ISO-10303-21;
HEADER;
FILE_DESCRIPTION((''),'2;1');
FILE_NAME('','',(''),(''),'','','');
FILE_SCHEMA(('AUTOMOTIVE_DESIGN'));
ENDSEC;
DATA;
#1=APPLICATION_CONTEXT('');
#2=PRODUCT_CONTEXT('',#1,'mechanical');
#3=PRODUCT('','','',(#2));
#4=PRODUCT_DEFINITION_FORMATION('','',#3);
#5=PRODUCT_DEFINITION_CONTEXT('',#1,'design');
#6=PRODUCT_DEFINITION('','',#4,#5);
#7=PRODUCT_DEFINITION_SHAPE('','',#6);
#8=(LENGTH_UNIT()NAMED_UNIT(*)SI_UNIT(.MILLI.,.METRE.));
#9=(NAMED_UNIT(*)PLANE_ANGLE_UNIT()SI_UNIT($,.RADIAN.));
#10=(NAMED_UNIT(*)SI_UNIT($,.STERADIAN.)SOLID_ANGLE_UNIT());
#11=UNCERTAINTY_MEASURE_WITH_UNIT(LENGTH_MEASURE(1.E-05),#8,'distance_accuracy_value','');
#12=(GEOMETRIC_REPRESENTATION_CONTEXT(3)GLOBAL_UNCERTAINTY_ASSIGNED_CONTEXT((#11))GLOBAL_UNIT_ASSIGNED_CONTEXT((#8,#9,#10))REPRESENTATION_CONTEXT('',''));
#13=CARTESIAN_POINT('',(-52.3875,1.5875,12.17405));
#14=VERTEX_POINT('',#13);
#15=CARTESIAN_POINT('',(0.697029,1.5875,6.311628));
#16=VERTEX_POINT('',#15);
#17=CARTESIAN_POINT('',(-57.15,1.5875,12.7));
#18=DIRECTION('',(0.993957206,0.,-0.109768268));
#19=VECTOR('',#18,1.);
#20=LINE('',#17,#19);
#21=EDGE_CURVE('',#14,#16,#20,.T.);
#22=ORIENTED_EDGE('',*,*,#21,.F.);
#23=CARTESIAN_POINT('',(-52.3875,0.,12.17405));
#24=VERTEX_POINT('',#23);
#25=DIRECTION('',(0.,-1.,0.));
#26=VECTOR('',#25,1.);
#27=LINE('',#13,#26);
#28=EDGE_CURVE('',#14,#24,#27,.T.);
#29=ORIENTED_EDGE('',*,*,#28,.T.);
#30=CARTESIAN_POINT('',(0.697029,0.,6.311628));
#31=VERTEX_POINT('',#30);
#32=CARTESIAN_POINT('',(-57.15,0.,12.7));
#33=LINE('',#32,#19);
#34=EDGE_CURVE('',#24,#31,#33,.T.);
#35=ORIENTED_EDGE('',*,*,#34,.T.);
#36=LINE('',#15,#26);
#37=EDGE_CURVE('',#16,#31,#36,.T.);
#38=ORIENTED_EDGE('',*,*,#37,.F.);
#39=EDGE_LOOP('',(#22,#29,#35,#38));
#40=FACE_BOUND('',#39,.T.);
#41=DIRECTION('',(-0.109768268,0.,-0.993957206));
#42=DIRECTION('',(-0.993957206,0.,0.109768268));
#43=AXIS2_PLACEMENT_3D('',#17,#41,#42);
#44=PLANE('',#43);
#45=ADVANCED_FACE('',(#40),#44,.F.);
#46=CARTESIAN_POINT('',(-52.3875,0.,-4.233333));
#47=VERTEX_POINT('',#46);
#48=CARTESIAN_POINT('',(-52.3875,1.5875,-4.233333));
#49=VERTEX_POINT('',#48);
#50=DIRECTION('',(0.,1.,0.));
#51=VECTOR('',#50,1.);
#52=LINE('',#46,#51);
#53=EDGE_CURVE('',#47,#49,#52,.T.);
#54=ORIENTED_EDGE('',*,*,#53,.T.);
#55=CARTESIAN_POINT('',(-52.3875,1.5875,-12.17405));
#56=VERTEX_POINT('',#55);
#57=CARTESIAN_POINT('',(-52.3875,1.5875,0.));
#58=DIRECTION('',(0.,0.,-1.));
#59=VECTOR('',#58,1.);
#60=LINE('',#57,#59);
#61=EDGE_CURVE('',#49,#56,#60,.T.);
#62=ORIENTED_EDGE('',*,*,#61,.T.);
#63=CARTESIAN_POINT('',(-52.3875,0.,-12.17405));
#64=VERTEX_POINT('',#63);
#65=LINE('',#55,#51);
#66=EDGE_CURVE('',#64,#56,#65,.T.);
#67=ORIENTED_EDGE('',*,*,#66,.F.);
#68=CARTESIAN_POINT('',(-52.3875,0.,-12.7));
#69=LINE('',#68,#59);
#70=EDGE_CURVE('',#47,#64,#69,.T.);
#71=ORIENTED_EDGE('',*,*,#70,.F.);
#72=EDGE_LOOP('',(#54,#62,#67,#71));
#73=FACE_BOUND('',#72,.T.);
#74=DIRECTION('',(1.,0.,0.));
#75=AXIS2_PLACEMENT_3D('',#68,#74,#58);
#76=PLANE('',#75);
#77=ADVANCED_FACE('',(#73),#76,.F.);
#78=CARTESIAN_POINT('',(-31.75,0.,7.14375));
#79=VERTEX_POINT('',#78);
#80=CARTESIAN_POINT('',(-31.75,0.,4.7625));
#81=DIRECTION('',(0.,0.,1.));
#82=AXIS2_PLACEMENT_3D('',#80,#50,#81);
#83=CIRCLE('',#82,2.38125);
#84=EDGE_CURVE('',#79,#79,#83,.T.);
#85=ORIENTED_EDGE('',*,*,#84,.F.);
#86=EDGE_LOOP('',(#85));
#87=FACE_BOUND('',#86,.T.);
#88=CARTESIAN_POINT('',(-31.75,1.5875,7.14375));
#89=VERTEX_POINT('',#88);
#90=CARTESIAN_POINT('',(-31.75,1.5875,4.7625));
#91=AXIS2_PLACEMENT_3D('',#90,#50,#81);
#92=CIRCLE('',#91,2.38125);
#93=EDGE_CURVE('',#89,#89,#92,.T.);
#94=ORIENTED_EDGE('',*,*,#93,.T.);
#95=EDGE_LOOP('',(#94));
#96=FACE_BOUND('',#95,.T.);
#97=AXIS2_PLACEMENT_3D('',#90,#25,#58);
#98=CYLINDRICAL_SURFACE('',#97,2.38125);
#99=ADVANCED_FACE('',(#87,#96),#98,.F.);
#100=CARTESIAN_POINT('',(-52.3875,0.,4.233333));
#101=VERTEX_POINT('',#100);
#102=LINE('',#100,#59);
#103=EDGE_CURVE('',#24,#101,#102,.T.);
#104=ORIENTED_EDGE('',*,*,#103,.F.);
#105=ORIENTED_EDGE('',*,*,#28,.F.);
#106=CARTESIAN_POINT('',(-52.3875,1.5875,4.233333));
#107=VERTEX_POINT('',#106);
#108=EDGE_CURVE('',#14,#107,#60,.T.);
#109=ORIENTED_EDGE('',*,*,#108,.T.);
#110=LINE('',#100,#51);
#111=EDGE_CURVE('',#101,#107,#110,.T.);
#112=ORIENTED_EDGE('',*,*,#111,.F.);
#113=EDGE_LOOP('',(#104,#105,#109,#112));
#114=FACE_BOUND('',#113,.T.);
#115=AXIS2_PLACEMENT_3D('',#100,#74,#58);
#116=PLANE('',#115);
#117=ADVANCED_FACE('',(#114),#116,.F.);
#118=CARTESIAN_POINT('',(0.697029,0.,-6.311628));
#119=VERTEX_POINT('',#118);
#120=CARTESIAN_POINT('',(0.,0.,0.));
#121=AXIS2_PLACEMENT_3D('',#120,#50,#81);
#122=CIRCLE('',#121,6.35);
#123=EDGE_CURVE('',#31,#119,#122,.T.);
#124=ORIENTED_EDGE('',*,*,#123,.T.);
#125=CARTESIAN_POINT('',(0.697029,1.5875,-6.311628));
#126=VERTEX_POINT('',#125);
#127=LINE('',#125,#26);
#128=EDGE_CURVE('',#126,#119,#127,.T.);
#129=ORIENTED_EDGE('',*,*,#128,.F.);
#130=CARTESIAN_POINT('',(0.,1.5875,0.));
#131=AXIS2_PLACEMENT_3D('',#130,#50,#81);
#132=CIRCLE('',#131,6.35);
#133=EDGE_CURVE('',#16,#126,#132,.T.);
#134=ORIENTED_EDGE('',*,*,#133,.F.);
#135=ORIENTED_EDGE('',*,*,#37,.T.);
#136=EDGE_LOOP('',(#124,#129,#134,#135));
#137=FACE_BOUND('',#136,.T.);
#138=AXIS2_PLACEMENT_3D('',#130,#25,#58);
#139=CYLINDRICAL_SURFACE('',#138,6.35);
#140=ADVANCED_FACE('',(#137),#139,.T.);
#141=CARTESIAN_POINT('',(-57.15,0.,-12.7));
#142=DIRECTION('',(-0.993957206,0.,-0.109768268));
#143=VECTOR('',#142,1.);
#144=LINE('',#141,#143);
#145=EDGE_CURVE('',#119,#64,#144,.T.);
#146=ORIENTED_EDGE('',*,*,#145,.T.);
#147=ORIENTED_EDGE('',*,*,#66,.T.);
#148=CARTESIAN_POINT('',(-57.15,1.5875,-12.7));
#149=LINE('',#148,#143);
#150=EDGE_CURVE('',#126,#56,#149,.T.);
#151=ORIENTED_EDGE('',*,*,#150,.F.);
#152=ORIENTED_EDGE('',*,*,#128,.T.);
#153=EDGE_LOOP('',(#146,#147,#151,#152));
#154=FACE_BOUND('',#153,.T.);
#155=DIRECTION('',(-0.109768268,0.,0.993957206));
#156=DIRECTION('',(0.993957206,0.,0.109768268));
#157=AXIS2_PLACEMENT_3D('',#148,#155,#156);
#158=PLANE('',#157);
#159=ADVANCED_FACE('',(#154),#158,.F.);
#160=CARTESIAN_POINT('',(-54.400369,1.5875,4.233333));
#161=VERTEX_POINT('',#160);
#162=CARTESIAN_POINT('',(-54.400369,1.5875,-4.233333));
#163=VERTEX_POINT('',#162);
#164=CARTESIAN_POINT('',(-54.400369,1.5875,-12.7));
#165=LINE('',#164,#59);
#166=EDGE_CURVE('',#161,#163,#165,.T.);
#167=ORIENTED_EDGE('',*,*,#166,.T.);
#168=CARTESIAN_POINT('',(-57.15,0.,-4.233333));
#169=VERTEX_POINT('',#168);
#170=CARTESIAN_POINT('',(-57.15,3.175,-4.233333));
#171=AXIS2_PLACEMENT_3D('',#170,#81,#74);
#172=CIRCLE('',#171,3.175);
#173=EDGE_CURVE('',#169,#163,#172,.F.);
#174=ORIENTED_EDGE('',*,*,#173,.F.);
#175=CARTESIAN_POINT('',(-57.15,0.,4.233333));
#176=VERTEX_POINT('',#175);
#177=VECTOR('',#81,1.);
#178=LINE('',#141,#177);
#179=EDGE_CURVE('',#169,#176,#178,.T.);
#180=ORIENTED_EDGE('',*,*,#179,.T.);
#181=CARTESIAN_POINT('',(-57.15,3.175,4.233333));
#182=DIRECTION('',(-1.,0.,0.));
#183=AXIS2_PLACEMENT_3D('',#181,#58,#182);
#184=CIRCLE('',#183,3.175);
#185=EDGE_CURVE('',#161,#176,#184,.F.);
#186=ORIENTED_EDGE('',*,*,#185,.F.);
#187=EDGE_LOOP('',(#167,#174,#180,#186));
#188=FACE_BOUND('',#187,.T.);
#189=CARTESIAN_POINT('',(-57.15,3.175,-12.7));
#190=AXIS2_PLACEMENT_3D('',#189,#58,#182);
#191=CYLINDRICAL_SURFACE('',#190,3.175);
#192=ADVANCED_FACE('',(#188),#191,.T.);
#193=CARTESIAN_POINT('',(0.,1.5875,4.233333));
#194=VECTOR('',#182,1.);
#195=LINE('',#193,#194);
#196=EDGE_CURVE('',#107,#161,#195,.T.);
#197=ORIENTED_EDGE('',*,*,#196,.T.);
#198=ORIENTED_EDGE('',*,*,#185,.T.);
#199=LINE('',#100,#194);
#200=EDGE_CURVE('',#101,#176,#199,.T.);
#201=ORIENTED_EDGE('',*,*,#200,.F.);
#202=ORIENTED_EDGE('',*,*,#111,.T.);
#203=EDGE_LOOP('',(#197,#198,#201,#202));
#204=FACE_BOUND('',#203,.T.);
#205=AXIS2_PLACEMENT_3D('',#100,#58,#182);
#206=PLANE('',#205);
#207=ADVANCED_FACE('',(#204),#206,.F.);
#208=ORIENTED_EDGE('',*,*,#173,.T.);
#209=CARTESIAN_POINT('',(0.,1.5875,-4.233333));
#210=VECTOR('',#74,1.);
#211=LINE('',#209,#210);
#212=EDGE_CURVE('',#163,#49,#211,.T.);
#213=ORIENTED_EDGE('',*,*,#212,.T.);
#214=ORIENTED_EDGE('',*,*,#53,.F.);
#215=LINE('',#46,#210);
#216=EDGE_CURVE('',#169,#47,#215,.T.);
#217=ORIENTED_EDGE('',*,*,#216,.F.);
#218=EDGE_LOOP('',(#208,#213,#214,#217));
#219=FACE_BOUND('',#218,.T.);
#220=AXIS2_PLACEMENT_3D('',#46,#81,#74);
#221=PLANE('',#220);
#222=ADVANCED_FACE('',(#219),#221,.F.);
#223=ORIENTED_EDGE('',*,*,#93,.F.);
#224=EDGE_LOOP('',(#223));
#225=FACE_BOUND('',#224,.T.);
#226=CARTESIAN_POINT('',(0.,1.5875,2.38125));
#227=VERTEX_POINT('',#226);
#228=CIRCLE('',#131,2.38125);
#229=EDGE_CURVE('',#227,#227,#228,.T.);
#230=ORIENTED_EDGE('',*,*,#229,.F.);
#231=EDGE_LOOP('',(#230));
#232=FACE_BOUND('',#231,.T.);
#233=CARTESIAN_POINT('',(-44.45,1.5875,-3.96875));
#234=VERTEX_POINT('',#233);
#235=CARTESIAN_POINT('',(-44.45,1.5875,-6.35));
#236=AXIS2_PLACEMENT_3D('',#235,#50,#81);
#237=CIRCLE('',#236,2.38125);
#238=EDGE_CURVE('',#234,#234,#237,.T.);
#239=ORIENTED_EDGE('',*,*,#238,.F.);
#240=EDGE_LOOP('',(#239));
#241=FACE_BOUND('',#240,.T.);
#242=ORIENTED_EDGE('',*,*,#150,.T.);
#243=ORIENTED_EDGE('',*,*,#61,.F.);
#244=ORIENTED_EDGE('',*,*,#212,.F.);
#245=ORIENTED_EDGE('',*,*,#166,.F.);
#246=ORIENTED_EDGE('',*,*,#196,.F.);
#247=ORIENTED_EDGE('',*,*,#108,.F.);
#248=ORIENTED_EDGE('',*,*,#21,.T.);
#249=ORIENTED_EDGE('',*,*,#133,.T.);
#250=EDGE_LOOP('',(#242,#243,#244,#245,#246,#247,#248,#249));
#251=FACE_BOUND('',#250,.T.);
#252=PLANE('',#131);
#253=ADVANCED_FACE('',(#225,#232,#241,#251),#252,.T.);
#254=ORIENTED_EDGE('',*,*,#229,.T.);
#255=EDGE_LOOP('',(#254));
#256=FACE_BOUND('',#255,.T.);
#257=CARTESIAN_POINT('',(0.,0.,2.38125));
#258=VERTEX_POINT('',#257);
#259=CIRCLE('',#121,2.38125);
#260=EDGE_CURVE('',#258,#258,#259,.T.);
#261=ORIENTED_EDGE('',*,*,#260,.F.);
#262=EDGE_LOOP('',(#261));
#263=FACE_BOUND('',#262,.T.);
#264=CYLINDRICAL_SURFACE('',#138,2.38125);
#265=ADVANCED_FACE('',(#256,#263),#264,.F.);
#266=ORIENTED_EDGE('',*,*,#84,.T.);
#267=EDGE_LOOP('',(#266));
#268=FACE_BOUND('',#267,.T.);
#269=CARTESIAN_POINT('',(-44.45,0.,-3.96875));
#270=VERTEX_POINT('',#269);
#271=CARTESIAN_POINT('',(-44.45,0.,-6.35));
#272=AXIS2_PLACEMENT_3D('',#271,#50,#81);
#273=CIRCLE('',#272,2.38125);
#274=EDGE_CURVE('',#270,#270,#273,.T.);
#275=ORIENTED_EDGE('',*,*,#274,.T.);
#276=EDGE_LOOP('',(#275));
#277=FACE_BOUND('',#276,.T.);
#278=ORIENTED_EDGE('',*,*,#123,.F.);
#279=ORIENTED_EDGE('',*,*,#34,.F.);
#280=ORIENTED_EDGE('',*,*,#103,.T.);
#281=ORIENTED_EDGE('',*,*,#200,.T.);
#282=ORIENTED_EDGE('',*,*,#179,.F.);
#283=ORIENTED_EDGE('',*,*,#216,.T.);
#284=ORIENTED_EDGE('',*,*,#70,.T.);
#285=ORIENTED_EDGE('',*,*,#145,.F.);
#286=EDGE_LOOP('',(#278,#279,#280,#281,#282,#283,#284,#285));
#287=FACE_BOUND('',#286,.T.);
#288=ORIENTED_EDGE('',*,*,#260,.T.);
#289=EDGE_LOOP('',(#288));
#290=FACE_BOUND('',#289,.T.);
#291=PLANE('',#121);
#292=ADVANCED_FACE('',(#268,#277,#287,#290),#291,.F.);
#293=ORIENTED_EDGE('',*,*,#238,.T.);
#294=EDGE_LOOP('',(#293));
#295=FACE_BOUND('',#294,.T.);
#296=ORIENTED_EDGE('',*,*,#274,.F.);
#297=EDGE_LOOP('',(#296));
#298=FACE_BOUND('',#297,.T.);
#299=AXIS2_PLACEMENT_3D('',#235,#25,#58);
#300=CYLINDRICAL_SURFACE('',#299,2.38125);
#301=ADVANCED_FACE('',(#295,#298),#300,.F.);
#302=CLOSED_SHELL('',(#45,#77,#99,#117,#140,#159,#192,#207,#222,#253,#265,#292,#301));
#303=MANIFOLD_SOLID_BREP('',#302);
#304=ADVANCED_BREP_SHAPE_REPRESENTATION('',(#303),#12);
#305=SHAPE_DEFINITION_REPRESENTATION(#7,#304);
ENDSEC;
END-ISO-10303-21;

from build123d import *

# Parameters (mm, degrees)
SKETCH1_R               = 2.38125
BOSS_EXTRUDE1_DEPTH     = 1.5875
SKETCH2_W               = 25.4
SKETCH2_H               = 3.175
CUT_EXTRUDE1_DEPTH      = 62.831036149
CUT_EXTRUDE1_DEPTH_BACK = 62.831036149
SKETCH3_W               = 7.9375
SKETCH3_H               = 8.466666667


with BuildPart() as part:
    # Sketch1 → Boss-Extrude1 (new body)
    with BuildSketch(Plane(origin=(0, 0, 0), x_dir=(1, 0, 0), z_dir=(0, 1, 0))):
        with BuildLine():
            Line((-57.15, 12.7), (-57.15, -12.7))
            Line((-57.15, -12.7), (0.697028502, -6.311628258))
            ThreePointArc((0.697028502, -6.311628258), (6.35, 0), (0.697028502, 6.311628258))
            Line((0.697028502, 6.311628258), (-57.15, 12.7))
        make_face()
        with Locations(Location((0, 0, 0), (0, 0, 270))):
            Circle(SKETCH1_R, mode=Mode.SUBTRACT)
        with Locations(Location((-44.45, 6.35, 0), (0, 0, 270))):
            Circle(SKETCH1_R, mode=Mode.SUBTRACT)
        with Locations(Location((-31.75, -4.7625, 0), (0, 0, 270))):
            Circle(SKETCH1_R, mode=Mode.SUBTRACT)
    extrude(amount=BOSS_EXTRUDE1_DEPTH)

    # Sketch2 → Revolve1 (revolve)
    with BuildSketch(Plane.ZY.offset(57.15)):
        with Locations((0, 1.5875)):
            Rectangle(SKETCH2_W, SKETCH2_H)
    revolve(axis=Axis((-57.15, 3.175, -12.7), (0, 0, 1)))

    # Sketch3 → Cut-Extrude1 (cut, two sides: drawn at the far end of the back side and taken through both)
    with BuildSketch(Plane(origin=(0, 1.5875, 0), x_dir=(1, 0, 0), z_dir=(0, 1, 0)).offset(-CUT_EXTRUDE1_DEPTH_BACK)):
        with Locations((-56.35625, 8.466666667)):
            Rectangle(SKETCH3_W, SKETCH3_H)
        with Locations((-56.35625, -8.466666667)):
            Rectangle(SKETCH3_W, SKETCH3_H)
    extrude(amount=CUT_EXTRUDE1_DEPTH + CUT_EXTRUDE1_DEPTH_BACK, mode=Mode.SUBTRACT)


solid = part.part
